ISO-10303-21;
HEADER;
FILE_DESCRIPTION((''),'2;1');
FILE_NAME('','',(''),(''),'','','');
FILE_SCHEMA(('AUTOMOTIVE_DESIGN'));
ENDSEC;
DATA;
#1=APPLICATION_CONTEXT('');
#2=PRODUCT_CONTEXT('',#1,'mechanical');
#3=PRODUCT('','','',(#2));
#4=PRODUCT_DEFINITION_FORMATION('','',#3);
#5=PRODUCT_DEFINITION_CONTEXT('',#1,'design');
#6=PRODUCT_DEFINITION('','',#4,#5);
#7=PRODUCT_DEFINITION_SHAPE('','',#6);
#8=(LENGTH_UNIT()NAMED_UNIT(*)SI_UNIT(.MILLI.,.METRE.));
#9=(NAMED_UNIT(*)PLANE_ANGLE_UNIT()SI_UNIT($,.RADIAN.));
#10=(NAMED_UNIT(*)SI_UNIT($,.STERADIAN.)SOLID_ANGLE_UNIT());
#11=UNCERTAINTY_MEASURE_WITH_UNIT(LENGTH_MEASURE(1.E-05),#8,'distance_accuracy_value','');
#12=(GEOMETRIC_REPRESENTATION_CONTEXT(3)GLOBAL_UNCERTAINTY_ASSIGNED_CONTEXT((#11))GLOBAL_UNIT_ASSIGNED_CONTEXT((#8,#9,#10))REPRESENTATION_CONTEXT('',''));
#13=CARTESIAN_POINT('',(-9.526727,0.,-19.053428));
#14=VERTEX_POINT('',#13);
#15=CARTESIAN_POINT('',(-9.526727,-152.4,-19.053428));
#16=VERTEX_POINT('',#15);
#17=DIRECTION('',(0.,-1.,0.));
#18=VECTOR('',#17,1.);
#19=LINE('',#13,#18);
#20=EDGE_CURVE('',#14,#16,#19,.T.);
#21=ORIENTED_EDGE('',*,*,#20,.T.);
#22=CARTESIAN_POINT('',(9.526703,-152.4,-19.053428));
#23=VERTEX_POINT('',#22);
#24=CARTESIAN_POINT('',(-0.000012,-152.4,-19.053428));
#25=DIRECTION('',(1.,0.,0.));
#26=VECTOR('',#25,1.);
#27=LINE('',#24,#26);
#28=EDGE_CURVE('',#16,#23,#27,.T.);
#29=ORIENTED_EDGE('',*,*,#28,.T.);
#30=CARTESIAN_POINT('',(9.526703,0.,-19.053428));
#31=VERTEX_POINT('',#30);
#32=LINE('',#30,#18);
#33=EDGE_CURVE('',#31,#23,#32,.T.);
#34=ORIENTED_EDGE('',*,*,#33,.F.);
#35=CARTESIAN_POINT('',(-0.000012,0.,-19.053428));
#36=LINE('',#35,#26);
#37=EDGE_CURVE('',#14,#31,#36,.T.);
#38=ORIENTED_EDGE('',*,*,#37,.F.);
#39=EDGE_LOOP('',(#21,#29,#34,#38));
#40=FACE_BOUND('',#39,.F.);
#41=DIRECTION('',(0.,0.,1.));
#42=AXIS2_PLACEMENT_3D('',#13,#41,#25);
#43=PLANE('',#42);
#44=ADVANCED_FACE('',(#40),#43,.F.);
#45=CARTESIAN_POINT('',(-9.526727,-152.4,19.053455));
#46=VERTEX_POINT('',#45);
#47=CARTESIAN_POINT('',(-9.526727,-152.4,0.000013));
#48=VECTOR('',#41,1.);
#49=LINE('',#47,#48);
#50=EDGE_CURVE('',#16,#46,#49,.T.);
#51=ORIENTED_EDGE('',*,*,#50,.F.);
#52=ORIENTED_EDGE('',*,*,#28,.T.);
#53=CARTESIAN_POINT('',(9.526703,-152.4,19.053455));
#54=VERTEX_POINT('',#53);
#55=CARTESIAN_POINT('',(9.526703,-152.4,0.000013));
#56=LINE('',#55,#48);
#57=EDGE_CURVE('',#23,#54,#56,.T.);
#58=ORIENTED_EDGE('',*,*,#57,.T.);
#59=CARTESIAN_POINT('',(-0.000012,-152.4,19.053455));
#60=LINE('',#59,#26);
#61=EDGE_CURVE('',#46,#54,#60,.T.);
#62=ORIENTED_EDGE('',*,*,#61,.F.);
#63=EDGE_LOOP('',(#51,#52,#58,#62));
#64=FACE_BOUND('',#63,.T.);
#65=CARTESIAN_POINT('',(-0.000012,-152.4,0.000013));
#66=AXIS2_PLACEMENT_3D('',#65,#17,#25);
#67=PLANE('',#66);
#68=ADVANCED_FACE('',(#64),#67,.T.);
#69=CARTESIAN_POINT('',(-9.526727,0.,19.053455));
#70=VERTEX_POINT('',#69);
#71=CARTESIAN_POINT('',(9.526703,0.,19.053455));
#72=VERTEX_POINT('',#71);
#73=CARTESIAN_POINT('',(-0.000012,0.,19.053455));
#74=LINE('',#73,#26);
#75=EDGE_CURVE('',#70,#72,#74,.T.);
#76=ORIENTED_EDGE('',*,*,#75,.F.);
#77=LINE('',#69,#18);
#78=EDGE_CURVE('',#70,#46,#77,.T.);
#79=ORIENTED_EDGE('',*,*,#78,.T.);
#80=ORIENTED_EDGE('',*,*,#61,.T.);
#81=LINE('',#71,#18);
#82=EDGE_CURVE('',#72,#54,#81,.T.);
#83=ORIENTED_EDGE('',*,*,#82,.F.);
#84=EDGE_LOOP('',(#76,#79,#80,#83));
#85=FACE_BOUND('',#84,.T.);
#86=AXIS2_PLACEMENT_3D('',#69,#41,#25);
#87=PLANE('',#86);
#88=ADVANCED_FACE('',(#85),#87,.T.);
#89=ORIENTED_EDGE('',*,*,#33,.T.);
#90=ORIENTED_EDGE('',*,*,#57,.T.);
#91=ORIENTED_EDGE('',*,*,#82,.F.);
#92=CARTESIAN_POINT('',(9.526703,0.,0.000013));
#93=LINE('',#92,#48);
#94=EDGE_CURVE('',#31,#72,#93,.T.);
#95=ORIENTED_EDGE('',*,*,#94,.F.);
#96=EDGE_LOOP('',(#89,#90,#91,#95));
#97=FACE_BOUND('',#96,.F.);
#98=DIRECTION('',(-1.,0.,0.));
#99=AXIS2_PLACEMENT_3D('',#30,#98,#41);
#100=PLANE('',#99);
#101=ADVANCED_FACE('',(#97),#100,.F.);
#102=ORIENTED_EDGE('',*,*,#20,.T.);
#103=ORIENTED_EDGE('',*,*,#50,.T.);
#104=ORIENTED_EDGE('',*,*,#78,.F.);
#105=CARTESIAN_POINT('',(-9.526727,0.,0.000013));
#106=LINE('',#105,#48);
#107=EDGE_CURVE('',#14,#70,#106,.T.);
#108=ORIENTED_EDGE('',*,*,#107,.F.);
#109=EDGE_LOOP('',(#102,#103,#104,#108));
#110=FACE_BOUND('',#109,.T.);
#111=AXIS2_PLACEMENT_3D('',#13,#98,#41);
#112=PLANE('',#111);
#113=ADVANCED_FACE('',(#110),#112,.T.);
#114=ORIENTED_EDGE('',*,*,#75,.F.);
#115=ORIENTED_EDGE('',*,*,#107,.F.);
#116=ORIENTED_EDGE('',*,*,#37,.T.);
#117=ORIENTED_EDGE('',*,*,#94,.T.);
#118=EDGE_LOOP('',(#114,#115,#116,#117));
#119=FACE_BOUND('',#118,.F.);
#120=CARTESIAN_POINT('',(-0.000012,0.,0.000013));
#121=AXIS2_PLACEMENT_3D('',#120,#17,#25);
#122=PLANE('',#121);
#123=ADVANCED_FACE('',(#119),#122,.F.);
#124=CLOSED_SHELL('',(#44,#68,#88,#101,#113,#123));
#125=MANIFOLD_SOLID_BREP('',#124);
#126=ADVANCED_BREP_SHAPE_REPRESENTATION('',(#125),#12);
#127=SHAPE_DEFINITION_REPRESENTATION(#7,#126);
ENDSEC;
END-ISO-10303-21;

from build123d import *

# Parameters (mm, degrees)
F0_W     = 19.053429
F0_H     = 38.106883
F1_DEPTH = 152.4


with BuildPart() as f1:
    # F0 (on Front) → F1 (new body)
    with BuildSketch(Plane.XZ):
        with Locations((-1.2e-05, 1.3e-05)):
            Rectangle(F0_W, F0_H)
    extrude(amount=F1_DEPTH)


solid = f1.part
